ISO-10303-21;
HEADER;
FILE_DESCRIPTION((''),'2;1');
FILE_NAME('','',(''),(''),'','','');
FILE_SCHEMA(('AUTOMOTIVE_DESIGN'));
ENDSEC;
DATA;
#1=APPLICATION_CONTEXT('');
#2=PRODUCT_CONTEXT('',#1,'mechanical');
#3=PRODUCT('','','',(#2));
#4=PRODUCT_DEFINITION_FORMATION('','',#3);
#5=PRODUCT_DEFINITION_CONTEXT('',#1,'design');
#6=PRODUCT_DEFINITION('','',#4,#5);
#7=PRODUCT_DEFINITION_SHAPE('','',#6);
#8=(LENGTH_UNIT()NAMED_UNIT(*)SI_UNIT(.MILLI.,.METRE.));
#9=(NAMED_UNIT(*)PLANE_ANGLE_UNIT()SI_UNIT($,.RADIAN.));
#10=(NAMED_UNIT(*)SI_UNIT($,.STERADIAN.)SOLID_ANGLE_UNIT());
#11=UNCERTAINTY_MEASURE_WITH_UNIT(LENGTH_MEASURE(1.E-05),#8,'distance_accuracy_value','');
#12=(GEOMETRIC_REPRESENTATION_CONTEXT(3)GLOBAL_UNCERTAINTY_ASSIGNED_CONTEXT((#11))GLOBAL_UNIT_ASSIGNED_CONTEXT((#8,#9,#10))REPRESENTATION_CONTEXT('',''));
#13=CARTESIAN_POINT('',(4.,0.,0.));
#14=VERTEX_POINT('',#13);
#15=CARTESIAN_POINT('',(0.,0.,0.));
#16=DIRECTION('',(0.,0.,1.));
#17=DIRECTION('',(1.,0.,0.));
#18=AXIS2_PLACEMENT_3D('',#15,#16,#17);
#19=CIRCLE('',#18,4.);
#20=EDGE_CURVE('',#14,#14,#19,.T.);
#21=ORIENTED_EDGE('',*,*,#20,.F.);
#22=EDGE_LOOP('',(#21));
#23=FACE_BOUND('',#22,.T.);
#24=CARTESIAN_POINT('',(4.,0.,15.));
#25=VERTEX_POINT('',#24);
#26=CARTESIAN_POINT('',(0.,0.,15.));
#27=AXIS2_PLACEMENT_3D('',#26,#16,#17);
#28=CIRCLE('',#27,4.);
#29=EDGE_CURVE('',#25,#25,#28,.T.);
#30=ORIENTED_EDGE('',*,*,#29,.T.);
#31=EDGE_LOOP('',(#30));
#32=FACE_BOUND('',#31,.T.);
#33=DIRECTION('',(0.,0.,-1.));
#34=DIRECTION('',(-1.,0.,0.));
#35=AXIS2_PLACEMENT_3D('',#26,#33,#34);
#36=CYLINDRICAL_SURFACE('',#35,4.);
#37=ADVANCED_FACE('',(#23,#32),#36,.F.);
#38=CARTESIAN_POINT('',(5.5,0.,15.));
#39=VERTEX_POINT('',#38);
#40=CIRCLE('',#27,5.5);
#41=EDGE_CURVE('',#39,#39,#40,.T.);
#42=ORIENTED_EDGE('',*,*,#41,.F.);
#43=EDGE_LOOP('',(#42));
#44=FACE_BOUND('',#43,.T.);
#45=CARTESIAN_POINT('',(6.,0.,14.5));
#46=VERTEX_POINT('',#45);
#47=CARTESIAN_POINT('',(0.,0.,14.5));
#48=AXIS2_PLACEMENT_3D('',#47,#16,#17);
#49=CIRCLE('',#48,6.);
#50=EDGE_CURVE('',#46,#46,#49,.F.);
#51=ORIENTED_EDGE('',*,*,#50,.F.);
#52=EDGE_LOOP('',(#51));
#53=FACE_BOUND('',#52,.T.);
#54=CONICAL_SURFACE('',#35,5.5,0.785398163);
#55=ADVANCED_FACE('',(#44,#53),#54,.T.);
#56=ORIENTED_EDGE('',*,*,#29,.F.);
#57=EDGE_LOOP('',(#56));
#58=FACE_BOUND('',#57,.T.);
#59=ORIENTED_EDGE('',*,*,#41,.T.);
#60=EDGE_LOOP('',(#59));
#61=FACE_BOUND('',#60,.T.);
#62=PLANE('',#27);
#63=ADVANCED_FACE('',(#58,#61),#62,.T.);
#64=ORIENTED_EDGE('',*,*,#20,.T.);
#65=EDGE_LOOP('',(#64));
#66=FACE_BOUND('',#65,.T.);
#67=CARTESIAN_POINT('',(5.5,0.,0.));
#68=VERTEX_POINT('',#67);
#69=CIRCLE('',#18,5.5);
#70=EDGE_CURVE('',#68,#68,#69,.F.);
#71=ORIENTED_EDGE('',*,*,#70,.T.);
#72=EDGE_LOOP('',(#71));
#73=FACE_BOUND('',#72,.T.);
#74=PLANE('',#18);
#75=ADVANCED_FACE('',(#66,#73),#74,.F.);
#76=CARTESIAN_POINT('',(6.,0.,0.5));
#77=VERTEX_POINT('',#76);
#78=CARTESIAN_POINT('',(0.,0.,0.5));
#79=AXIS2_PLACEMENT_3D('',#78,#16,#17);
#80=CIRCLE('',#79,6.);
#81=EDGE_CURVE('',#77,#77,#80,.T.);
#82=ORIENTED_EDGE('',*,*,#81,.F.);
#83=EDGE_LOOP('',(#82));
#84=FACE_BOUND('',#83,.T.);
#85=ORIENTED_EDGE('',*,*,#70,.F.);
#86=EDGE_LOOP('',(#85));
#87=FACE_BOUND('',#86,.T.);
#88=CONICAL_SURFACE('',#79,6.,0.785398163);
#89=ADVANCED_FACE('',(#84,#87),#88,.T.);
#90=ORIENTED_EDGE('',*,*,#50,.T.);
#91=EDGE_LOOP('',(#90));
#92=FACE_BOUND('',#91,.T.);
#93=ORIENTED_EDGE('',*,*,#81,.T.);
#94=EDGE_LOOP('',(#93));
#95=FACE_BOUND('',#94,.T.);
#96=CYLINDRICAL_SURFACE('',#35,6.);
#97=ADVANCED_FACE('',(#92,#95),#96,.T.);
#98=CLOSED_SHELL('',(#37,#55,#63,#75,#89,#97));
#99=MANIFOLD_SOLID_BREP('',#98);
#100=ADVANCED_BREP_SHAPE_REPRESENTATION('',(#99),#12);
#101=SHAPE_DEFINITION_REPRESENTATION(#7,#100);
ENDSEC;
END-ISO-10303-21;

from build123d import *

# Parameters (mm, degrees)
SKETCH1_R           = 6
SKETCH1_R_2         = 4
EXTRUDE_THIN1_DEPTH = 15
CHAMFER1_SIZE       = 0.5


with BuildPart() as part:
    # Sketch1 → Extrude-Thin1 (new body)
    with BuildSketch(Plane.XY):
        Circle(SKETCH1_R)
        Circle(SKETCH1_R_2, mode=Mode.SUBTRACT)
    extrude(amount=EXTRUDE_THIN1_DEPTH)

    # Chamfer1
    chamfer1_edges = [part.edges().sort_by_distance(p)[0] for p in [
        (-6, 0, 0),
        (-6, 0, 15),
    ]]
    chamfer(chamfer1_edges, length=CHAMFER1_SIZE)


solid = part.part
